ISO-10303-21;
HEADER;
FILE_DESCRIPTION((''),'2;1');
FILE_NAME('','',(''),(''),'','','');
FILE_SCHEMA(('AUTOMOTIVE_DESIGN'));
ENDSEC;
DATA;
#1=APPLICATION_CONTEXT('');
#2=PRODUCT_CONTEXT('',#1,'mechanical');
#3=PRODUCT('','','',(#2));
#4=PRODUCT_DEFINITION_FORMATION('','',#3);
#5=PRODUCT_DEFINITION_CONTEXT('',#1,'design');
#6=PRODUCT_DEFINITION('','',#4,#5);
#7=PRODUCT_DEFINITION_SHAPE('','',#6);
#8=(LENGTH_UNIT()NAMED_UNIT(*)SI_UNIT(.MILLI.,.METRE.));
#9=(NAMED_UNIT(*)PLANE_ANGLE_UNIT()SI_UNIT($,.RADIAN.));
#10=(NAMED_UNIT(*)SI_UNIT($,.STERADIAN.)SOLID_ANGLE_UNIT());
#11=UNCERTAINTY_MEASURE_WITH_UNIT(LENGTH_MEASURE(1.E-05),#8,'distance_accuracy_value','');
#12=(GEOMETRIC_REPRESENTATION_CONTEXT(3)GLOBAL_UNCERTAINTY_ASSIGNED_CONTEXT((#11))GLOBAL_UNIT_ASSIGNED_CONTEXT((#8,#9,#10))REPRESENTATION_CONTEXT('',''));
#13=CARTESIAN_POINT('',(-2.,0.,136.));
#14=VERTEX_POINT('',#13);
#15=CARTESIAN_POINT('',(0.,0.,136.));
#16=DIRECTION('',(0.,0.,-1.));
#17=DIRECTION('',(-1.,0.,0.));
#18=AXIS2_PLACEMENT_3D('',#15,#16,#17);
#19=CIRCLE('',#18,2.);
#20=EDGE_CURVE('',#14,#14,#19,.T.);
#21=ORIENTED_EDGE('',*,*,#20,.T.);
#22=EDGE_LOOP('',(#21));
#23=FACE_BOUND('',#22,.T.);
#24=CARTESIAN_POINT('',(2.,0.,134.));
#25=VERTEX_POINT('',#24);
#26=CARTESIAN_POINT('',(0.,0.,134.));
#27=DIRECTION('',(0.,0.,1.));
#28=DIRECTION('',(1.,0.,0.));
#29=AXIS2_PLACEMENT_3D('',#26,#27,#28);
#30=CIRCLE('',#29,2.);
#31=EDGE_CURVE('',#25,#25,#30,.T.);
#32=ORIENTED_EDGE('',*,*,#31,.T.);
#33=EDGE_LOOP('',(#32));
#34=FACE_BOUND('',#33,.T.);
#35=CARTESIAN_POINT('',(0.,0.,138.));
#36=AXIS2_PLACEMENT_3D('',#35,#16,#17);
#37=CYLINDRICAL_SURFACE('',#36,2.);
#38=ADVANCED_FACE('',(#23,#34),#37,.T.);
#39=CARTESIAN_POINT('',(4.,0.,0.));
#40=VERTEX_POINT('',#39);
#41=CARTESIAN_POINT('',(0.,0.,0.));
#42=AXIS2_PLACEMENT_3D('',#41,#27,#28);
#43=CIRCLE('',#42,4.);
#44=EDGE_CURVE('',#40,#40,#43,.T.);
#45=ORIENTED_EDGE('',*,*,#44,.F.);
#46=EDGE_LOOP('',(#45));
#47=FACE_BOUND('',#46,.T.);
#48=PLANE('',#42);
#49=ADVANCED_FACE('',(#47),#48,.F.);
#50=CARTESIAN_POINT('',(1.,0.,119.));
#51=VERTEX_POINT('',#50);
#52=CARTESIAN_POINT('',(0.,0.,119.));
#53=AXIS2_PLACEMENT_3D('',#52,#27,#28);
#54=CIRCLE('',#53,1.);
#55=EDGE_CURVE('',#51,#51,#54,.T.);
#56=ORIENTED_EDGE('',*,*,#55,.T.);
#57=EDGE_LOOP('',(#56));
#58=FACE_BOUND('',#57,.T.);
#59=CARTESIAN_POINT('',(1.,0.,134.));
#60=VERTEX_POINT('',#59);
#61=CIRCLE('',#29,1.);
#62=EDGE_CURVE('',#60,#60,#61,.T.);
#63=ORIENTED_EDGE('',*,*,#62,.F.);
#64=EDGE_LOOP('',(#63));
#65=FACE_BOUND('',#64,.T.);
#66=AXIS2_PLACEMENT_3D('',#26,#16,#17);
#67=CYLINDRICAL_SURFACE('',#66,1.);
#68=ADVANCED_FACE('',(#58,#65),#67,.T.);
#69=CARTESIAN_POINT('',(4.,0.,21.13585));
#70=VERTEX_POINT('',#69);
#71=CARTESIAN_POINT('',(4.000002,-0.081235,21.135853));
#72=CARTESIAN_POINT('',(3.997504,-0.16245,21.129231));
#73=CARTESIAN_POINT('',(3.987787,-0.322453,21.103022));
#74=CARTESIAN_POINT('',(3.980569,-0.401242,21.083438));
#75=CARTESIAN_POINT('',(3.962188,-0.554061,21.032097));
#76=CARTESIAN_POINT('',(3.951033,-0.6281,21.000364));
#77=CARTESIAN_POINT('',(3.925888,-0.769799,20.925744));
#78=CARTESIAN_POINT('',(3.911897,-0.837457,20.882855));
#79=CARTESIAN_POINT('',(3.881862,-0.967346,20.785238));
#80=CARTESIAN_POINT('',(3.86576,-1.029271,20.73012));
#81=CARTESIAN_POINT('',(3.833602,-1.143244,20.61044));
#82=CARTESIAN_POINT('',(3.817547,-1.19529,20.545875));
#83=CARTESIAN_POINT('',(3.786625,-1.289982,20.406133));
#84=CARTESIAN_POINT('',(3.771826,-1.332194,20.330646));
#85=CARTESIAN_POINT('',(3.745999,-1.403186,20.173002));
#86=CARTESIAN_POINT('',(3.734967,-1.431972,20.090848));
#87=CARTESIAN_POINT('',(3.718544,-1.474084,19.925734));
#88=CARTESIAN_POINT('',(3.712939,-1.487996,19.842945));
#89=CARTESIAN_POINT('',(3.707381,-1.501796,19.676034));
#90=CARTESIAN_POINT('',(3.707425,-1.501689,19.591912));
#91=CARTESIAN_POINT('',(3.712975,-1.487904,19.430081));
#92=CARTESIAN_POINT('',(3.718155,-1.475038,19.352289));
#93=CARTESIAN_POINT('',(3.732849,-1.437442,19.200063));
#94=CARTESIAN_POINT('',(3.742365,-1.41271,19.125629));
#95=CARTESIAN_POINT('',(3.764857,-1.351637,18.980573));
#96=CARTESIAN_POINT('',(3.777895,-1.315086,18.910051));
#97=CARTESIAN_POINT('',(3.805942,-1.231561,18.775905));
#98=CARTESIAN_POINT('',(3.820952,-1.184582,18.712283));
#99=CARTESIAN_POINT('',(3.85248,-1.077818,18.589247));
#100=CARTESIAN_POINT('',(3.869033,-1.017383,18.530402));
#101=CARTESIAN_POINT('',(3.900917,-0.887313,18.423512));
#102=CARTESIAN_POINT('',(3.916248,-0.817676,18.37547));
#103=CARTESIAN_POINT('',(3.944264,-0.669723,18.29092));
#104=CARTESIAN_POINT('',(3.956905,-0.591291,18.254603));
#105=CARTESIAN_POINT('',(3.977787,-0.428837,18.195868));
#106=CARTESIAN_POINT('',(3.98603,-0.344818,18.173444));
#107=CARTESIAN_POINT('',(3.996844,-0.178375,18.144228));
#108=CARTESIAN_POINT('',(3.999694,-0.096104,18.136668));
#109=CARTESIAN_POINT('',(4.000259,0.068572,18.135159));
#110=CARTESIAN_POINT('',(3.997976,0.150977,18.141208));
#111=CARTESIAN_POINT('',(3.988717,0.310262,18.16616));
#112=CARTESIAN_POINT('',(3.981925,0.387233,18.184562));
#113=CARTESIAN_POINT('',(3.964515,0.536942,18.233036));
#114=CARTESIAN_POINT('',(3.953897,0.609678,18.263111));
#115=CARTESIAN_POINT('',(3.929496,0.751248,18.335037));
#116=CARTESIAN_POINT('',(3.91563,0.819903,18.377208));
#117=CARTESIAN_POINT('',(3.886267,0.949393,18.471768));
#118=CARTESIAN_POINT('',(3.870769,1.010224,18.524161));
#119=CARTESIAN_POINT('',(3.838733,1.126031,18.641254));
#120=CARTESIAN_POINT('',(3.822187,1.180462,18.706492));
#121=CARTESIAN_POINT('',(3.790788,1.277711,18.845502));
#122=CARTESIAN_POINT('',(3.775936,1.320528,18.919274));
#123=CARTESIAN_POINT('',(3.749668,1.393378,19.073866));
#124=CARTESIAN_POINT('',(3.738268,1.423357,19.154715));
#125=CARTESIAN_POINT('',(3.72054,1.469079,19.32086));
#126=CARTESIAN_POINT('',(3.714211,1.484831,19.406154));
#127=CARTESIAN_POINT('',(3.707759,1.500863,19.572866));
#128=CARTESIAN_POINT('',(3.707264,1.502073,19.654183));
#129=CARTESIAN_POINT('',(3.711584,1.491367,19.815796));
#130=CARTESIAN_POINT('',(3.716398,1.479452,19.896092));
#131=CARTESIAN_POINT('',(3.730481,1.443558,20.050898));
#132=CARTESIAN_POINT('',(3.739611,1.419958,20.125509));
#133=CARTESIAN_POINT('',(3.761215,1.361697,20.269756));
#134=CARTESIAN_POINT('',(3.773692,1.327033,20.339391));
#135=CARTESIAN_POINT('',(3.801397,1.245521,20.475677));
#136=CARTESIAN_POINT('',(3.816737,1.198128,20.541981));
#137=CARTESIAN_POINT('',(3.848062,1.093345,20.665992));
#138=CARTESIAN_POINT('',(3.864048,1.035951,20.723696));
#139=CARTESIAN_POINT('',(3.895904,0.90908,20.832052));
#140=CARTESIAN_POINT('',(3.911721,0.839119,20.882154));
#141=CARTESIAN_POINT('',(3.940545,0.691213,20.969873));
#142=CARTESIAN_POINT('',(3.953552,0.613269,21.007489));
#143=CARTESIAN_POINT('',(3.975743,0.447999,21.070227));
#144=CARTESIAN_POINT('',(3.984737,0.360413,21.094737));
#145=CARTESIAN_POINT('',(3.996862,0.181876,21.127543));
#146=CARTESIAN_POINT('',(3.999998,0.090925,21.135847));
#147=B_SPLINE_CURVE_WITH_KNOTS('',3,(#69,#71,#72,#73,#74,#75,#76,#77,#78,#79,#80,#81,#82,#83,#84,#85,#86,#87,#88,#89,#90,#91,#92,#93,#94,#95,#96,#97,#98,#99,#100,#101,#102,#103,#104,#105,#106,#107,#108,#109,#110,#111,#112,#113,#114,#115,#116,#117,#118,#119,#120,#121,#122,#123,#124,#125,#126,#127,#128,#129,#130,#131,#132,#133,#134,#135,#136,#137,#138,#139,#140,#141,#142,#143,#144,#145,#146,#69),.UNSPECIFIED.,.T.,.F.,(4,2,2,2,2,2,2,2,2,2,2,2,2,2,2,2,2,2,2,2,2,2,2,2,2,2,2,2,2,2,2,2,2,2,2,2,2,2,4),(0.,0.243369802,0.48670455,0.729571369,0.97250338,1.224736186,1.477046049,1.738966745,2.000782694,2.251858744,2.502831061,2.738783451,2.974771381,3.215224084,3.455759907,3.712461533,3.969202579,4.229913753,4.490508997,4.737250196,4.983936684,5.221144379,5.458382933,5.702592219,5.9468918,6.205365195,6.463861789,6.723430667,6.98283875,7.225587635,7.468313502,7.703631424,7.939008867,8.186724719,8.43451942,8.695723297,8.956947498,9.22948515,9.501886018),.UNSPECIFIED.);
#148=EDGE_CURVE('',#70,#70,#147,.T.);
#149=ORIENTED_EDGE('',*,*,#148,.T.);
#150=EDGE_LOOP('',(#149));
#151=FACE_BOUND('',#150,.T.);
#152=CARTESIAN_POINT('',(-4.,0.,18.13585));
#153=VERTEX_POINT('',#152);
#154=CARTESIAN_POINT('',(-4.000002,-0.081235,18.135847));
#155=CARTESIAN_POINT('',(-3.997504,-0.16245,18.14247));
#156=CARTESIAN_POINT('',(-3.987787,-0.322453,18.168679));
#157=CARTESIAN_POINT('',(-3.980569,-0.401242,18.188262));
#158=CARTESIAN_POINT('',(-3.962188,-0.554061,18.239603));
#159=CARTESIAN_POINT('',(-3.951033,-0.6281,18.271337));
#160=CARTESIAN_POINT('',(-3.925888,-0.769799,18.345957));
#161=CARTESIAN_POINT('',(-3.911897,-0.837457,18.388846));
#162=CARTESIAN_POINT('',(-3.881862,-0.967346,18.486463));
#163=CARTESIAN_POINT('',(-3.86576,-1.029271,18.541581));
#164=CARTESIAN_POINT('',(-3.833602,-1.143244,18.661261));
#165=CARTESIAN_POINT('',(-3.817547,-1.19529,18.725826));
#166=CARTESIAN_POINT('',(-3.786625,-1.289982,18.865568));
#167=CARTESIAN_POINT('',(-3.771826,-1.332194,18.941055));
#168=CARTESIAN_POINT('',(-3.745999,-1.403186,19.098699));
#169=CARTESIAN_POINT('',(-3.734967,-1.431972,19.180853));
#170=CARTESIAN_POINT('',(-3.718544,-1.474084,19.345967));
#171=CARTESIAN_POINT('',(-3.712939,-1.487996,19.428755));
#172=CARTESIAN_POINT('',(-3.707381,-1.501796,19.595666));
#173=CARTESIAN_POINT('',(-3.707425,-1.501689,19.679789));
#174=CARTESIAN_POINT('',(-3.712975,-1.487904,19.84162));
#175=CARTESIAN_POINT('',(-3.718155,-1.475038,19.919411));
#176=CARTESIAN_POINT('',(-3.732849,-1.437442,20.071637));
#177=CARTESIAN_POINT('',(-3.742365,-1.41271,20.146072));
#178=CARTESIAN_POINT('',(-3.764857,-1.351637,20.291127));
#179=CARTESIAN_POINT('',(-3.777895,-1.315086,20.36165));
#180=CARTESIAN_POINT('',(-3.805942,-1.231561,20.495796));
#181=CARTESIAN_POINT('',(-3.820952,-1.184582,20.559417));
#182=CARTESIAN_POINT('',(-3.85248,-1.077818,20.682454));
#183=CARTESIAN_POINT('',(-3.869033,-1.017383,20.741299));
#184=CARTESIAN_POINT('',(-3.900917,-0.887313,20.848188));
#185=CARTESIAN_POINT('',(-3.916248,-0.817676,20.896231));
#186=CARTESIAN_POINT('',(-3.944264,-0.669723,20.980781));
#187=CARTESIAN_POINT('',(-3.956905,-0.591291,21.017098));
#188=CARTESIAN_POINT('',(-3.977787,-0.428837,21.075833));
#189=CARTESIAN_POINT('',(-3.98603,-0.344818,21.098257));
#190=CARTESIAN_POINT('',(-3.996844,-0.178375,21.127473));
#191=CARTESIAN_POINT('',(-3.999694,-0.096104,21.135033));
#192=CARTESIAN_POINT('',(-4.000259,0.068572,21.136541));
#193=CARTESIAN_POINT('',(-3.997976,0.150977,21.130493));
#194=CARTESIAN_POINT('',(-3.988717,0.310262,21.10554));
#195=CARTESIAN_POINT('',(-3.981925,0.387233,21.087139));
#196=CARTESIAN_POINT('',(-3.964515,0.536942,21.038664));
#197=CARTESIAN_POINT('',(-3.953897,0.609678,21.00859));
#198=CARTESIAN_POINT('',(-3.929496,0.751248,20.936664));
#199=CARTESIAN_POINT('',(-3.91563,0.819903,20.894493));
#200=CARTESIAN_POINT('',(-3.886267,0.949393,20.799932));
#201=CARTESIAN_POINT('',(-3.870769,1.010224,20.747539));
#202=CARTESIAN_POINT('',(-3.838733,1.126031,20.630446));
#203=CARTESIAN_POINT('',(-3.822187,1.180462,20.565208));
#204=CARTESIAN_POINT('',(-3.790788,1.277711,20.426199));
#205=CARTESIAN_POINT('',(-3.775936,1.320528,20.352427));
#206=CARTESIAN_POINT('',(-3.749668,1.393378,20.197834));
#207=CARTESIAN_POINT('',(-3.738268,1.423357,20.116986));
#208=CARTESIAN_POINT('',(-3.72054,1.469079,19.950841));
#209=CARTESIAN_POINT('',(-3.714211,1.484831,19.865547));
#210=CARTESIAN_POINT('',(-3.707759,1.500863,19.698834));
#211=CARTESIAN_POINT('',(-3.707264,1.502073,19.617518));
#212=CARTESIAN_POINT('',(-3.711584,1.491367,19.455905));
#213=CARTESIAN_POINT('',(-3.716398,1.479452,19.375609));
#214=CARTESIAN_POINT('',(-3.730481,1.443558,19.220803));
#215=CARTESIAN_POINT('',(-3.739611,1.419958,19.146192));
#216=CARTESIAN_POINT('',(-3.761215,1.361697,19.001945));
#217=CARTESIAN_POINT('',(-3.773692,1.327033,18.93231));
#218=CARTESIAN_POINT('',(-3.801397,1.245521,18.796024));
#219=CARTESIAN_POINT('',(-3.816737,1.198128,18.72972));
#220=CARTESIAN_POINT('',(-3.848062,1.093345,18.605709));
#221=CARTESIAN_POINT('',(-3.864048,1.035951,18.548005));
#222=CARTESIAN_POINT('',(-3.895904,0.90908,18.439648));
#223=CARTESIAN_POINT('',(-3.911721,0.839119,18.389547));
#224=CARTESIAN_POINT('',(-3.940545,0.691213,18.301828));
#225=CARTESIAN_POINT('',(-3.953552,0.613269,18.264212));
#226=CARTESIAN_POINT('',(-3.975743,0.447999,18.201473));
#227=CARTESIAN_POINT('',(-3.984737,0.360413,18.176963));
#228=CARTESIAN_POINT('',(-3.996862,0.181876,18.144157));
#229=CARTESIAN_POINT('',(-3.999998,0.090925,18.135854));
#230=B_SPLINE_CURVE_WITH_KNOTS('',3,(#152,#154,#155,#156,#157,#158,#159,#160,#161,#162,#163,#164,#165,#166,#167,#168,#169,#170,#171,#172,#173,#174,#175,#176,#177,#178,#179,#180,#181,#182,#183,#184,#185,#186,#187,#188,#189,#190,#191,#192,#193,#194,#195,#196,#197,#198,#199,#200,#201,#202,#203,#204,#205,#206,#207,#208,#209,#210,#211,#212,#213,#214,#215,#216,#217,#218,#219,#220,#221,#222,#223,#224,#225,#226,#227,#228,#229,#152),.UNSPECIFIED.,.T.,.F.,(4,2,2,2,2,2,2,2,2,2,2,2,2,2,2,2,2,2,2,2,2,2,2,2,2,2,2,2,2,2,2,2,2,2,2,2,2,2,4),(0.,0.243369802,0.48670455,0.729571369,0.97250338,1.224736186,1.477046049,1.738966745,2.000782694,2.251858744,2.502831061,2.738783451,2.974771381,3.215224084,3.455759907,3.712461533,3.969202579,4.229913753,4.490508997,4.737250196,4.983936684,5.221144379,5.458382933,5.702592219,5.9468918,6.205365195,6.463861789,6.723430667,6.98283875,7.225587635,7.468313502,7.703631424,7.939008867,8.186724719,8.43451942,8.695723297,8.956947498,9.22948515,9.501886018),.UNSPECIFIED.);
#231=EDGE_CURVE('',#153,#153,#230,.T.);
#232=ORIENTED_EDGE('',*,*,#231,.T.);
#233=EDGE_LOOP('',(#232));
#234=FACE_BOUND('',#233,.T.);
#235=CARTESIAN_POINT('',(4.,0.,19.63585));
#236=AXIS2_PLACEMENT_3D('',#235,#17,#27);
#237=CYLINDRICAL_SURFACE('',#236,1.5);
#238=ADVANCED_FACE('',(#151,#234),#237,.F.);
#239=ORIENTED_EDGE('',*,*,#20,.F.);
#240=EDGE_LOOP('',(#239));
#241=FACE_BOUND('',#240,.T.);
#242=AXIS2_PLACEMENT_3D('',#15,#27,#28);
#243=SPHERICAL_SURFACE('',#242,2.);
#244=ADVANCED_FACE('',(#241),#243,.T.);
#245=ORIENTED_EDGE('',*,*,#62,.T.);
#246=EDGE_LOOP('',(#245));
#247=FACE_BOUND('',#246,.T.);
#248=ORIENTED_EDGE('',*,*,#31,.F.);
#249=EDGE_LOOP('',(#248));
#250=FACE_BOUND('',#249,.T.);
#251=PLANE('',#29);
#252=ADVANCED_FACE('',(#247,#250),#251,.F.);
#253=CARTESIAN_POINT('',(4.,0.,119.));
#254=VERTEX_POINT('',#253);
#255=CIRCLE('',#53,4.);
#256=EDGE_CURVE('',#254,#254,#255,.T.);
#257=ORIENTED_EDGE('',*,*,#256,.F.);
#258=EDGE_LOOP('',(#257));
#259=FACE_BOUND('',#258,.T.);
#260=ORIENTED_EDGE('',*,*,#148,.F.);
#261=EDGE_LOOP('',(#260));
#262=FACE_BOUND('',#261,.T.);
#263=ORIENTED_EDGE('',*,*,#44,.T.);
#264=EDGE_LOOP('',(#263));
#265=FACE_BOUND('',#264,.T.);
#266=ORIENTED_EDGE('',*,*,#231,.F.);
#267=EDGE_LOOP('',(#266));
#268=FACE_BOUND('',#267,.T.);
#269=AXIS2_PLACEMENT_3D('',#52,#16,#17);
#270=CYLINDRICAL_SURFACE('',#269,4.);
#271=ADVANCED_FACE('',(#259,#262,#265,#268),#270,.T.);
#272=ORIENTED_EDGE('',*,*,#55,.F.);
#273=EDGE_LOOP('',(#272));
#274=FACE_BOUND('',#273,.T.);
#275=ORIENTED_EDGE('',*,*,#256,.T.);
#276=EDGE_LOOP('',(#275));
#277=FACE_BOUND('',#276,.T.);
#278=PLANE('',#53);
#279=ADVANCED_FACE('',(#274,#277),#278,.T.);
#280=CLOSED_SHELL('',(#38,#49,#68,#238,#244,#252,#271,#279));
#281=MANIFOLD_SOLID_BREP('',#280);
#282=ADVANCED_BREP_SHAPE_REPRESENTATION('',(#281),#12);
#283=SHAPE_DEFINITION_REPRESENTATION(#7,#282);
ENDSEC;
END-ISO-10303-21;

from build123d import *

# Parameters (mm, degrees)
SZKIC1_R                                    = 4
DODANIE_WYCI_GNI_CIE1_DEPTH                 = 119
WYTNIJ_WYCI_GNI_CIE1_REACH                  = 121.134
WYTNIJ_WYCI_GNI_CIE1_END_RADIUS             = 4
SZKIC2_R                                    = 1.5
WYTNIJ_WYCI_GNI_CIE1_DIRECTION_2_REACH      = 121.134
WYTNIJ_WYCI_GNI_CIE1_DIRECTION_2_END_RADIUS = 4
SZKIC3_R                                    = 1
DODANIE_WYCI_GNI_CIE2_DEPTH                 = 15
SZKIC4_R                                    = 2
DODANIE_WYCI_GNI_CIE3_DEPTH                 = 4
ZAOKR_GLENIE1_R                             = 2


with BuildPart() as part:
    # Szkic1 → Dodanie-wyciągnięcie1 (new body)
    with BuildSketch(Plane.XY):
        Circle(SZKIC1_R)
    extrude(amount=DODANIE_WYCI_GNI_CIE1_DEPTH)

    # Wytnij-wyciągnięcie1: up to this cylinder (the profile starts inside it)
    wytnij_wyci_gni_cie1_end = Plane(origin=(0, 0, 19.63585), z_dir=(0, 0, -1)) * Cylinder(WYTNIJ_WYCI_GNI_CIE1_END_RADIUS, 251.268, mode=Mode.PRIVATE)
    # Szkic2 → Wytnij-wyciągnięcie1 (cut, up to the surface)
    with BuildSketch(Plane(origin=(0, 0, 0), x_dir=(0, 0, -1), z_dir=(1, 0, 0)), mode=Mode.PRIVATE) as wytnij_wyci_gni_cie1_sk1:
        with Locations((-19.635850317, 0)):
            Circle(SZKIC2_R)
    wytnij_wyci_gni_cie1_tool1 = extrude(wytnij_wyci_gni_cie1_sk1.sketch, amount=-WYTNIJ_WYCI_GNI_CIE1_REACH, mode=Mode.PRIVATE) & wytnij_wyci_gni_cie1_end
    add(wytnij_wyci_gni_cie1_tool1.solids().sort_by_distance((0, 0, 19.63585))[0], mode=Mode.SUBTRACT)

    # Wytnij-wyciągnięcie1 direction 2: up to this cylinder (the profile starts inside it)
    wytnij_wyci_gni_cie1_direction_2_end = Plane(origin=(0, 0, 19.63585), z_dir=(0, 0, -1)) * Cylinder(WYTNIJ_WYCI_GNI_CIE1_DIRECTION_2_END_RADIUS, 251.268, mode=Mode.PRIVATE)
    # Szkic2 → Wytnij-wyciągnięcie1 direction 2 (cut, up to the surface)
    with BuildSketch(Plane(origin=(0, 0, 0), x_dir=(0, 0, -1), z_dir=(1, 0, 0)), mode=Mode.PRIVATE) as wytnij_wyci_gni_cie1_direction_2_sk1:
        with Locations((-19.635850317, 0)):
            Circle(SZKIC2_R)
    wytnij_wyci_gni_cie1_direction_2_tool1 = extrude(wytnij_wyci_gni_cie1_direction_2_sk1.sketch, amount=WYTNIJ_WYCI_GNI_CIE1_DIRECTION_2_REACH, mode=Mode.PRIVATE) & wytnij_wyci_gni_cie1_direction_2_end
    add(wytnij_wyci_gni_cie1_direction_2_tool1.solids().sort_by_distance((0, 0, 19.63585))[0], mode=Mode.SUBTRACT)

    # Szkic3 → Dodanie-wyciągnięcie2 (add)
    with BuildSketch(Plane.XY.offset(119)):
        Circle(SZKIC3_R)
    extrude(amount=DODANIE_WYCI_GNI_CIE2_DEPTH)

    # Szkic4 → Dodanie-wyciągnięcie3 (add)
    with BuildSketch(Plane.XY.offset(134)):
        Circle(SZKIC4_R)
    extrude(amount=DODANIE_WYCI_GNI_CIE3_DEPTH)

    # Zaokrąglenie1
    zaokr_glenie1_edges = [part.edges().sort_by_distance(p)[0] for p in [
        (-2, 0, 138),
    ]]
    fillet(zaokr_glenie1_edges, radius=ZAOKR_GLENIE1_R)


solid = part.part
